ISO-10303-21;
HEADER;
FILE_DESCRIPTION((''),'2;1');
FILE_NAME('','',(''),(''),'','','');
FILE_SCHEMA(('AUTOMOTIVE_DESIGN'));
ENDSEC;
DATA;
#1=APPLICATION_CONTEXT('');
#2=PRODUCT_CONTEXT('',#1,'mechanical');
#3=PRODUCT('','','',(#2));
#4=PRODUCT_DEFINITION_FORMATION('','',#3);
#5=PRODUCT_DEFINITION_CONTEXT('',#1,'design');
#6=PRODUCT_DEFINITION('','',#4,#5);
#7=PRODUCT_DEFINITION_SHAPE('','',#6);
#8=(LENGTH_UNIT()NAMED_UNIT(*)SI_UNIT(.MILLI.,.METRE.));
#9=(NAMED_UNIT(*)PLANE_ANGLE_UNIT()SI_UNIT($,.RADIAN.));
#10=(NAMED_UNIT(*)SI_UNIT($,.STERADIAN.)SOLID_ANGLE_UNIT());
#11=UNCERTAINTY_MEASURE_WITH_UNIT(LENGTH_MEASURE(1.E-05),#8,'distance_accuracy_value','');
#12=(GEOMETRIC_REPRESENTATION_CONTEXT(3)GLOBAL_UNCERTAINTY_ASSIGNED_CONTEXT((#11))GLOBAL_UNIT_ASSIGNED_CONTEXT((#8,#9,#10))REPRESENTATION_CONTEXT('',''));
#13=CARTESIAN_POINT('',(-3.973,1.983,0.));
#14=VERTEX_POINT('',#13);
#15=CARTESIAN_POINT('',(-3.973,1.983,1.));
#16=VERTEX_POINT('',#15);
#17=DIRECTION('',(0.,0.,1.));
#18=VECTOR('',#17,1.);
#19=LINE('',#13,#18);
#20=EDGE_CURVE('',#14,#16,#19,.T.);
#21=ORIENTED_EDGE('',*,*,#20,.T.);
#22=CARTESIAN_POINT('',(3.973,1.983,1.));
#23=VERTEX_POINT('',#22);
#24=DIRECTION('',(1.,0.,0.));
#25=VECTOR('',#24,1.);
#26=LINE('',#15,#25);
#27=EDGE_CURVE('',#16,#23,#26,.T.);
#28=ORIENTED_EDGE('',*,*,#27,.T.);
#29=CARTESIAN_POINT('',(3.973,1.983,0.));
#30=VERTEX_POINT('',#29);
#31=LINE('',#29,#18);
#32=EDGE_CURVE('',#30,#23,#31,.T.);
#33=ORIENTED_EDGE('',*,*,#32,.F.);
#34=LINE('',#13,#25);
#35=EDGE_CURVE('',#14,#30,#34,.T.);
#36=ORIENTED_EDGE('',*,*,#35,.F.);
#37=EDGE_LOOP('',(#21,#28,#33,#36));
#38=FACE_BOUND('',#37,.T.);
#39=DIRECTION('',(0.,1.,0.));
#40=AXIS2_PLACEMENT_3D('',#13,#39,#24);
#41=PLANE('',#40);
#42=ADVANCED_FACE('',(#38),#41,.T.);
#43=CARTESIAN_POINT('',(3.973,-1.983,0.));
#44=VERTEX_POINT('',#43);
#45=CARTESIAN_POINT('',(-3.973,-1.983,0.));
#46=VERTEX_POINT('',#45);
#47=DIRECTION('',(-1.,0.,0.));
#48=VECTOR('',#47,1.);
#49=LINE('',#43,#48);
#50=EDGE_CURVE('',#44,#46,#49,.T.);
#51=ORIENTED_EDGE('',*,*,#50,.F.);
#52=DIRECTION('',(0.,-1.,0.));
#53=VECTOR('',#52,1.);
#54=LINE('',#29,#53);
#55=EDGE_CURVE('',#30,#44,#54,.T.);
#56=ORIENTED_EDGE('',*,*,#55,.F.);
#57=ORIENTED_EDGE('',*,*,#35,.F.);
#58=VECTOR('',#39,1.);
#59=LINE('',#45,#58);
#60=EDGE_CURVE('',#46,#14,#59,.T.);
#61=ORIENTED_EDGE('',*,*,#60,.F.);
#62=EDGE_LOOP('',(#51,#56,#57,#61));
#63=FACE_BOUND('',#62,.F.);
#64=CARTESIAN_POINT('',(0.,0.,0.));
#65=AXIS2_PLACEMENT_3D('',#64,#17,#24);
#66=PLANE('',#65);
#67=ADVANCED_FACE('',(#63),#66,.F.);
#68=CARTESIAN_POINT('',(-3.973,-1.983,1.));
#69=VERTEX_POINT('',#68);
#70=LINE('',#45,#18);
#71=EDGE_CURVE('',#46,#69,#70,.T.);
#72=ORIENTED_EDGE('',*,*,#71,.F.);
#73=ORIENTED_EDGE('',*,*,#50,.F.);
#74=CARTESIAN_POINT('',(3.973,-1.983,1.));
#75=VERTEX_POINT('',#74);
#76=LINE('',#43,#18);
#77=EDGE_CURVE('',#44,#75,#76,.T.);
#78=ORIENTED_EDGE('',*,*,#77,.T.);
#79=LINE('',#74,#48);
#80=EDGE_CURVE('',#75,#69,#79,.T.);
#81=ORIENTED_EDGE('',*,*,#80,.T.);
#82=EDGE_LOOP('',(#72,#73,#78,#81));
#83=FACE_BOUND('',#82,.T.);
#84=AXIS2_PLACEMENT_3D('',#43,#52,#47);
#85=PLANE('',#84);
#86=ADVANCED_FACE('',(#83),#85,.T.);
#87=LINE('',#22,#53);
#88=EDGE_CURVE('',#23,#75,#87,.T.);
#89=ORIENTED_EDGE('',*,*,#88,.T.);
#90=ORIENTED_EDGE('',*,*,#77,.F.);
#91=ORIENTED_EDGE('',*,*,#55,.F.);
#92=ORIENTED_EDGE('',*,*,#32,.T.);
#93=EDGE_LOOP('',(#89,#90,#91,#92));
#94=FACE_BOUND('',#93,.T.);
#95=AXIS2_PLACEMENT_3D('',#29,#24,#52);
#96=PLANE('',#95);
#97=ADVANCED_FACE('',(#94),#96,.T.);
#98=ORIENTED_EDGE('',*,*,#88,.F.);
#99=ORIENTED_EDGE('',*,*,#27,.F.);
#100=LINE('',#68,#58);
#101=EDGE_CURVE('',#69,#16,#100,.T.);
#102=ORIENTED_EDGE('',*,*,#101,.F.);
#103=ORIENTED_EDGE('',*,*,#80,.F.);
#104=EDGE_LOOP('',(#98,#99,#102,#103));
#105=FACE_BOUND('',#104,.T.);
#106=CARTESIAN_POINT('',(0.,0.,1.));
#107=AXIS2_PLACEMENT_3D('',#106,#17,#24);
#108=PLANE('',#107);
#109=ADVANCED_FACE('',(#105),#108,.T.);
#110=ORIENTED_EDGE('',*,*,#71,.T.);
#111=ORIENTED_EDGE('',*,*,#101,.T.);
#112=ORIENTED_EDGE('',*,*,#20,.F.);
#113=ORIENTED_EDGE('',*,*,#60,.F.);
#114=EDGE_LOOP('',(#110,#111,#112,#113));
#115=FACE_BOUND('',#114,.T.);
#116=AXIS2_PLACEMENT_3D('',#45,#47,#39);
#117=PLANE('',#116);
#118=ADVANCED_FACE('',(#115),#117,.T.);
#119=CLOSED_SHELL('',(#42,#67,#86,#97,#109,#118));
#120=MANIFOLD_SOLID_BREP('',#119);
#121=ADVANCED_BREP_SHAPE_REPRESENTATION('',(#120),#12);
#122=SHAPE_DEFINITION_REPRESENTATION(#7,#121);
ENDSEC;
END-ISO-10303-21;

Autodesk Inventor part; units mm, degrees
ref_plane "YZ Plane" through (0, 0, 0) normal (1, 0, 0) x (0, 1, 0)
ref_plane "XZ Plane" through (0, 0, 0) normal (0, 1, 0) x (-1, 0, 0)
ref_plane "XY Plane" through (0, 0, 0) normal (0, 0, 1) x (1, 0, 0)
sketch "R2512, 0_22_34" plane through (0, 0, 0) normal (0, 0, 1) x (1, 0, 0)
  line L0 (-3.973, 1.983) -> (3.973, 1.983)
  line L1 (3.973, 1.983) -> (3.973, -1.983)
  line L2 (3.973, -1.983) -> (-3.973, -1.983)
  line L3 (-3.973, -1.983) -> (-3.973, 1.983)
extrude "Extrusion1" add sketch "R2512, 0_22_34" along normal blind 1
properties part number "0_22"
